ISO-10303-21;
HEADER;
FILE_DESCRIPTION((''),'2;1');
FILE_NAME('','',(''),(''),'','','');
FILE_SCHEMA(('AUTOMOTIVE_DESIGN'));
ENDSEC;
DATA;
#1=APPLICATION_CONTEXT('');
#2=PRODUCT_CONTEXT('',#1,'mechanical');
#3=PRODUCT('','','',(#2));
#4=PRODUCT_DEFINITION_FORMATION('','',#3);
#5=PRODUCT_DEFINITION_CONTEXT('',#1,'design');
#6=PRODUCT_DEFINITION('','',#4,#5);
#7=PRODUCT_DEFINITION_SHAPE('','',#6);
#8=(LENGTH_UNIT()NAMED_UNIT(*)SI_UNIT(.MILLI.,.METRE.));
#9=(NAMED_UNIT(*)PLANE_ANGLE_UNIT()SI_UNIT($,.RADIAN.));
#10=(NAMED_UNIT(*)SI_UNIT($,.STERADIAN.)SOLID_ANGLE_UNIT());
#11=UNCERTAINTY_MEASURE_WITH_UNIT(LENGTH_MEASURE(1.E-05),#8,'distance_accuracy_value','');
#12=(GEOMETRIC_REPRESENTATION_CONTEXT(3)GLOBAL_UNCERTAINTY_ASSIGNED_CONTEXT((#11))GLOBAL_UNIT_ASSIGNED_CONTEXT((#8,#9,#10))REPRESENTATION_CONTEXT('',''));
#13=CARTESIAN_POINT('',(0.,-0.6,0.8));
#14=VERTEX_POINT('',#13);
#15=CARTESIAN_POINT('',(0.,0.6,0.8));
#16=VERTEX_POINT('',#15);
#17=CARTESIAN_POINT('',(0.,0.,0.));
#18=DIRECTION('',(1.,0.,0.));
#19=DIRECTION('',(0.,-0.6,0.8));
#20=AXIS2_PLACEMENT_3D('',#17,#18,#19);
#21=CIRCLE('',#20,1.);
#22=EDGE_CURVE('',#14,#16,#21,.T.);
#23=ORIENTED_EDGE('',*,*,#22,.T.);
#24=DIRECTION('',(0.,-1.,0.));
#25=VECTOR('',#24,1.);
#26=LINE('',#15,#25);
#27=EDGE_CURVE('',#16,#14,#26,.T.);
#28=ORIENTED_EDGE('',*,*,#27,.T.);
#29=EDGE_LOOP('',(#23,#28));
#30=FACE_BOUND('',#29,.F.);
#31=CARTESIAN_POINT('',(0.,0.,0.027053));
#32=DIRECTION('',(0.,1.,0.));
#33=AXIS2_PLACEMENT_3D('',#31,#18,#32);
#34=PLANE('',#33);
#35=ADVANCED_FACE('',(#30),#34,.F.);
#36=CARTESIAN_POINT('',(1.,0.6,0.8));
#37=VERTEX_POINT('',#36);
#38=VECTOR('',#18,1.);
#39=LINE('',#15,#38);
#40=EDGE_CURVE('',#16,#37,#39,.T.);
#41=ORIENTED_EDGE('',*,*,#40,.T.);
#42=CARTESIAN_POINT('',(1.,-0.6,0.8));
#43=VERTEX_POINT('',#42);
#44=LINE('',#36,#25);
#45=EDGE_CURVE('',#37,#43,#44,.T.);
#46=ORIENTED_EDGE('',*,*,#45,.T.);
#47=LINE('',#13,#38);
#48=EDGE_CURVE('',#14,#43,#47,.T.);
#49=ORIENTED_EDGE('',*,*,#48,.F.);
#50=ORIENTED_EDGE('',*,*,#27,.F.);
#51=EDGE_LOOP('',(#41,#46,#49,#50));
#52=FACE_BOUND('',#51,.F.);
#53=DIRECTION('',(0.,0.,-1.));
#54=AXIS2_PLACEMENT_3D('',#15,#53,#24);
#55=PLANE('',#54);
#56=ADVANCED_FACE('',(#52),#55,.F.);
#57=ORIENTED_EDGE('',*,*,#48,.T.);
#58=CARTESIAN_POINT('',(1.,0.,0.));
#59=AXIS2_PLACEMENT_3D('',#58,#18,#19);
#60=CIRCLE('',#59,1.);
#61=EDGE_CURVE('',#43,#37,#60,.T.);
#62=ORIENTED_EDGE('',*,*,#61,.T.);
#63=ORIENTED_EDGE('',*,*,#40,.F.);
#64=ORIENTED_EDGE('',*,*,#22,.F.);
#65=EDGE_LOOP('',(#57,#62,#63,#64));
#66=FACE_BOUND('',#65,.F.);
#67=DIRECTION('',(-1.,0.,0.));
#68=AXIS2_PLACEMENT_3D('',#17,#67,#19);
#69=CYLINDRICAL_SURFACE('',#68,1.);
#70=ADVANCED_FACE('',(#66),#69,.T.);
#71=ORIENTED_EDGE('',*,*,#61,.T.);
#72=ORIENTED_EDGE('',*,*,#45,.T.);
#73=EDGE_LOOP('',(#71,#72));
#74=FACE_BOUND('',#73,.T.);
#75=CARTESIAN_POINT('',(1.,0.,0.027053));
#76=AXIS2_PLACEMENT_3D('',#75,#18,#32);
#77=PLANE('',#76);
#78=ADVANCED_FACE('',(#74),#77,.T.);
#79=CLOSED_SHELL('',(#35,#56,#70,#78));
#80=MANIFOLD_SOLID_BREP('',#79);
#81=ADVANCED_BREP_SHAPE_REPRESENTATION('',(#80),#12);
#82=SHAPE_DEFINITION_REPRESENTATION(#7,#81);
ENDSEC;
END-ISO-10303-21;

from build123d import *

# Parameters (mm, degrees)
F1_DEPTH = 1


with BuildPart() as f1:
    # F0 (on Right) → F1 (new body)
    with BuildSketch(Plane.YZ):
        with BuildLine():
            Line((0.6, 0.8), (-0.6, 0.8))
            ThreePointArc((-0.6, 0.8), (0, -1), (0.6, 0.8))
        make_face()
    extrude(amount=F1_DEPTH)


solid = f1.part
